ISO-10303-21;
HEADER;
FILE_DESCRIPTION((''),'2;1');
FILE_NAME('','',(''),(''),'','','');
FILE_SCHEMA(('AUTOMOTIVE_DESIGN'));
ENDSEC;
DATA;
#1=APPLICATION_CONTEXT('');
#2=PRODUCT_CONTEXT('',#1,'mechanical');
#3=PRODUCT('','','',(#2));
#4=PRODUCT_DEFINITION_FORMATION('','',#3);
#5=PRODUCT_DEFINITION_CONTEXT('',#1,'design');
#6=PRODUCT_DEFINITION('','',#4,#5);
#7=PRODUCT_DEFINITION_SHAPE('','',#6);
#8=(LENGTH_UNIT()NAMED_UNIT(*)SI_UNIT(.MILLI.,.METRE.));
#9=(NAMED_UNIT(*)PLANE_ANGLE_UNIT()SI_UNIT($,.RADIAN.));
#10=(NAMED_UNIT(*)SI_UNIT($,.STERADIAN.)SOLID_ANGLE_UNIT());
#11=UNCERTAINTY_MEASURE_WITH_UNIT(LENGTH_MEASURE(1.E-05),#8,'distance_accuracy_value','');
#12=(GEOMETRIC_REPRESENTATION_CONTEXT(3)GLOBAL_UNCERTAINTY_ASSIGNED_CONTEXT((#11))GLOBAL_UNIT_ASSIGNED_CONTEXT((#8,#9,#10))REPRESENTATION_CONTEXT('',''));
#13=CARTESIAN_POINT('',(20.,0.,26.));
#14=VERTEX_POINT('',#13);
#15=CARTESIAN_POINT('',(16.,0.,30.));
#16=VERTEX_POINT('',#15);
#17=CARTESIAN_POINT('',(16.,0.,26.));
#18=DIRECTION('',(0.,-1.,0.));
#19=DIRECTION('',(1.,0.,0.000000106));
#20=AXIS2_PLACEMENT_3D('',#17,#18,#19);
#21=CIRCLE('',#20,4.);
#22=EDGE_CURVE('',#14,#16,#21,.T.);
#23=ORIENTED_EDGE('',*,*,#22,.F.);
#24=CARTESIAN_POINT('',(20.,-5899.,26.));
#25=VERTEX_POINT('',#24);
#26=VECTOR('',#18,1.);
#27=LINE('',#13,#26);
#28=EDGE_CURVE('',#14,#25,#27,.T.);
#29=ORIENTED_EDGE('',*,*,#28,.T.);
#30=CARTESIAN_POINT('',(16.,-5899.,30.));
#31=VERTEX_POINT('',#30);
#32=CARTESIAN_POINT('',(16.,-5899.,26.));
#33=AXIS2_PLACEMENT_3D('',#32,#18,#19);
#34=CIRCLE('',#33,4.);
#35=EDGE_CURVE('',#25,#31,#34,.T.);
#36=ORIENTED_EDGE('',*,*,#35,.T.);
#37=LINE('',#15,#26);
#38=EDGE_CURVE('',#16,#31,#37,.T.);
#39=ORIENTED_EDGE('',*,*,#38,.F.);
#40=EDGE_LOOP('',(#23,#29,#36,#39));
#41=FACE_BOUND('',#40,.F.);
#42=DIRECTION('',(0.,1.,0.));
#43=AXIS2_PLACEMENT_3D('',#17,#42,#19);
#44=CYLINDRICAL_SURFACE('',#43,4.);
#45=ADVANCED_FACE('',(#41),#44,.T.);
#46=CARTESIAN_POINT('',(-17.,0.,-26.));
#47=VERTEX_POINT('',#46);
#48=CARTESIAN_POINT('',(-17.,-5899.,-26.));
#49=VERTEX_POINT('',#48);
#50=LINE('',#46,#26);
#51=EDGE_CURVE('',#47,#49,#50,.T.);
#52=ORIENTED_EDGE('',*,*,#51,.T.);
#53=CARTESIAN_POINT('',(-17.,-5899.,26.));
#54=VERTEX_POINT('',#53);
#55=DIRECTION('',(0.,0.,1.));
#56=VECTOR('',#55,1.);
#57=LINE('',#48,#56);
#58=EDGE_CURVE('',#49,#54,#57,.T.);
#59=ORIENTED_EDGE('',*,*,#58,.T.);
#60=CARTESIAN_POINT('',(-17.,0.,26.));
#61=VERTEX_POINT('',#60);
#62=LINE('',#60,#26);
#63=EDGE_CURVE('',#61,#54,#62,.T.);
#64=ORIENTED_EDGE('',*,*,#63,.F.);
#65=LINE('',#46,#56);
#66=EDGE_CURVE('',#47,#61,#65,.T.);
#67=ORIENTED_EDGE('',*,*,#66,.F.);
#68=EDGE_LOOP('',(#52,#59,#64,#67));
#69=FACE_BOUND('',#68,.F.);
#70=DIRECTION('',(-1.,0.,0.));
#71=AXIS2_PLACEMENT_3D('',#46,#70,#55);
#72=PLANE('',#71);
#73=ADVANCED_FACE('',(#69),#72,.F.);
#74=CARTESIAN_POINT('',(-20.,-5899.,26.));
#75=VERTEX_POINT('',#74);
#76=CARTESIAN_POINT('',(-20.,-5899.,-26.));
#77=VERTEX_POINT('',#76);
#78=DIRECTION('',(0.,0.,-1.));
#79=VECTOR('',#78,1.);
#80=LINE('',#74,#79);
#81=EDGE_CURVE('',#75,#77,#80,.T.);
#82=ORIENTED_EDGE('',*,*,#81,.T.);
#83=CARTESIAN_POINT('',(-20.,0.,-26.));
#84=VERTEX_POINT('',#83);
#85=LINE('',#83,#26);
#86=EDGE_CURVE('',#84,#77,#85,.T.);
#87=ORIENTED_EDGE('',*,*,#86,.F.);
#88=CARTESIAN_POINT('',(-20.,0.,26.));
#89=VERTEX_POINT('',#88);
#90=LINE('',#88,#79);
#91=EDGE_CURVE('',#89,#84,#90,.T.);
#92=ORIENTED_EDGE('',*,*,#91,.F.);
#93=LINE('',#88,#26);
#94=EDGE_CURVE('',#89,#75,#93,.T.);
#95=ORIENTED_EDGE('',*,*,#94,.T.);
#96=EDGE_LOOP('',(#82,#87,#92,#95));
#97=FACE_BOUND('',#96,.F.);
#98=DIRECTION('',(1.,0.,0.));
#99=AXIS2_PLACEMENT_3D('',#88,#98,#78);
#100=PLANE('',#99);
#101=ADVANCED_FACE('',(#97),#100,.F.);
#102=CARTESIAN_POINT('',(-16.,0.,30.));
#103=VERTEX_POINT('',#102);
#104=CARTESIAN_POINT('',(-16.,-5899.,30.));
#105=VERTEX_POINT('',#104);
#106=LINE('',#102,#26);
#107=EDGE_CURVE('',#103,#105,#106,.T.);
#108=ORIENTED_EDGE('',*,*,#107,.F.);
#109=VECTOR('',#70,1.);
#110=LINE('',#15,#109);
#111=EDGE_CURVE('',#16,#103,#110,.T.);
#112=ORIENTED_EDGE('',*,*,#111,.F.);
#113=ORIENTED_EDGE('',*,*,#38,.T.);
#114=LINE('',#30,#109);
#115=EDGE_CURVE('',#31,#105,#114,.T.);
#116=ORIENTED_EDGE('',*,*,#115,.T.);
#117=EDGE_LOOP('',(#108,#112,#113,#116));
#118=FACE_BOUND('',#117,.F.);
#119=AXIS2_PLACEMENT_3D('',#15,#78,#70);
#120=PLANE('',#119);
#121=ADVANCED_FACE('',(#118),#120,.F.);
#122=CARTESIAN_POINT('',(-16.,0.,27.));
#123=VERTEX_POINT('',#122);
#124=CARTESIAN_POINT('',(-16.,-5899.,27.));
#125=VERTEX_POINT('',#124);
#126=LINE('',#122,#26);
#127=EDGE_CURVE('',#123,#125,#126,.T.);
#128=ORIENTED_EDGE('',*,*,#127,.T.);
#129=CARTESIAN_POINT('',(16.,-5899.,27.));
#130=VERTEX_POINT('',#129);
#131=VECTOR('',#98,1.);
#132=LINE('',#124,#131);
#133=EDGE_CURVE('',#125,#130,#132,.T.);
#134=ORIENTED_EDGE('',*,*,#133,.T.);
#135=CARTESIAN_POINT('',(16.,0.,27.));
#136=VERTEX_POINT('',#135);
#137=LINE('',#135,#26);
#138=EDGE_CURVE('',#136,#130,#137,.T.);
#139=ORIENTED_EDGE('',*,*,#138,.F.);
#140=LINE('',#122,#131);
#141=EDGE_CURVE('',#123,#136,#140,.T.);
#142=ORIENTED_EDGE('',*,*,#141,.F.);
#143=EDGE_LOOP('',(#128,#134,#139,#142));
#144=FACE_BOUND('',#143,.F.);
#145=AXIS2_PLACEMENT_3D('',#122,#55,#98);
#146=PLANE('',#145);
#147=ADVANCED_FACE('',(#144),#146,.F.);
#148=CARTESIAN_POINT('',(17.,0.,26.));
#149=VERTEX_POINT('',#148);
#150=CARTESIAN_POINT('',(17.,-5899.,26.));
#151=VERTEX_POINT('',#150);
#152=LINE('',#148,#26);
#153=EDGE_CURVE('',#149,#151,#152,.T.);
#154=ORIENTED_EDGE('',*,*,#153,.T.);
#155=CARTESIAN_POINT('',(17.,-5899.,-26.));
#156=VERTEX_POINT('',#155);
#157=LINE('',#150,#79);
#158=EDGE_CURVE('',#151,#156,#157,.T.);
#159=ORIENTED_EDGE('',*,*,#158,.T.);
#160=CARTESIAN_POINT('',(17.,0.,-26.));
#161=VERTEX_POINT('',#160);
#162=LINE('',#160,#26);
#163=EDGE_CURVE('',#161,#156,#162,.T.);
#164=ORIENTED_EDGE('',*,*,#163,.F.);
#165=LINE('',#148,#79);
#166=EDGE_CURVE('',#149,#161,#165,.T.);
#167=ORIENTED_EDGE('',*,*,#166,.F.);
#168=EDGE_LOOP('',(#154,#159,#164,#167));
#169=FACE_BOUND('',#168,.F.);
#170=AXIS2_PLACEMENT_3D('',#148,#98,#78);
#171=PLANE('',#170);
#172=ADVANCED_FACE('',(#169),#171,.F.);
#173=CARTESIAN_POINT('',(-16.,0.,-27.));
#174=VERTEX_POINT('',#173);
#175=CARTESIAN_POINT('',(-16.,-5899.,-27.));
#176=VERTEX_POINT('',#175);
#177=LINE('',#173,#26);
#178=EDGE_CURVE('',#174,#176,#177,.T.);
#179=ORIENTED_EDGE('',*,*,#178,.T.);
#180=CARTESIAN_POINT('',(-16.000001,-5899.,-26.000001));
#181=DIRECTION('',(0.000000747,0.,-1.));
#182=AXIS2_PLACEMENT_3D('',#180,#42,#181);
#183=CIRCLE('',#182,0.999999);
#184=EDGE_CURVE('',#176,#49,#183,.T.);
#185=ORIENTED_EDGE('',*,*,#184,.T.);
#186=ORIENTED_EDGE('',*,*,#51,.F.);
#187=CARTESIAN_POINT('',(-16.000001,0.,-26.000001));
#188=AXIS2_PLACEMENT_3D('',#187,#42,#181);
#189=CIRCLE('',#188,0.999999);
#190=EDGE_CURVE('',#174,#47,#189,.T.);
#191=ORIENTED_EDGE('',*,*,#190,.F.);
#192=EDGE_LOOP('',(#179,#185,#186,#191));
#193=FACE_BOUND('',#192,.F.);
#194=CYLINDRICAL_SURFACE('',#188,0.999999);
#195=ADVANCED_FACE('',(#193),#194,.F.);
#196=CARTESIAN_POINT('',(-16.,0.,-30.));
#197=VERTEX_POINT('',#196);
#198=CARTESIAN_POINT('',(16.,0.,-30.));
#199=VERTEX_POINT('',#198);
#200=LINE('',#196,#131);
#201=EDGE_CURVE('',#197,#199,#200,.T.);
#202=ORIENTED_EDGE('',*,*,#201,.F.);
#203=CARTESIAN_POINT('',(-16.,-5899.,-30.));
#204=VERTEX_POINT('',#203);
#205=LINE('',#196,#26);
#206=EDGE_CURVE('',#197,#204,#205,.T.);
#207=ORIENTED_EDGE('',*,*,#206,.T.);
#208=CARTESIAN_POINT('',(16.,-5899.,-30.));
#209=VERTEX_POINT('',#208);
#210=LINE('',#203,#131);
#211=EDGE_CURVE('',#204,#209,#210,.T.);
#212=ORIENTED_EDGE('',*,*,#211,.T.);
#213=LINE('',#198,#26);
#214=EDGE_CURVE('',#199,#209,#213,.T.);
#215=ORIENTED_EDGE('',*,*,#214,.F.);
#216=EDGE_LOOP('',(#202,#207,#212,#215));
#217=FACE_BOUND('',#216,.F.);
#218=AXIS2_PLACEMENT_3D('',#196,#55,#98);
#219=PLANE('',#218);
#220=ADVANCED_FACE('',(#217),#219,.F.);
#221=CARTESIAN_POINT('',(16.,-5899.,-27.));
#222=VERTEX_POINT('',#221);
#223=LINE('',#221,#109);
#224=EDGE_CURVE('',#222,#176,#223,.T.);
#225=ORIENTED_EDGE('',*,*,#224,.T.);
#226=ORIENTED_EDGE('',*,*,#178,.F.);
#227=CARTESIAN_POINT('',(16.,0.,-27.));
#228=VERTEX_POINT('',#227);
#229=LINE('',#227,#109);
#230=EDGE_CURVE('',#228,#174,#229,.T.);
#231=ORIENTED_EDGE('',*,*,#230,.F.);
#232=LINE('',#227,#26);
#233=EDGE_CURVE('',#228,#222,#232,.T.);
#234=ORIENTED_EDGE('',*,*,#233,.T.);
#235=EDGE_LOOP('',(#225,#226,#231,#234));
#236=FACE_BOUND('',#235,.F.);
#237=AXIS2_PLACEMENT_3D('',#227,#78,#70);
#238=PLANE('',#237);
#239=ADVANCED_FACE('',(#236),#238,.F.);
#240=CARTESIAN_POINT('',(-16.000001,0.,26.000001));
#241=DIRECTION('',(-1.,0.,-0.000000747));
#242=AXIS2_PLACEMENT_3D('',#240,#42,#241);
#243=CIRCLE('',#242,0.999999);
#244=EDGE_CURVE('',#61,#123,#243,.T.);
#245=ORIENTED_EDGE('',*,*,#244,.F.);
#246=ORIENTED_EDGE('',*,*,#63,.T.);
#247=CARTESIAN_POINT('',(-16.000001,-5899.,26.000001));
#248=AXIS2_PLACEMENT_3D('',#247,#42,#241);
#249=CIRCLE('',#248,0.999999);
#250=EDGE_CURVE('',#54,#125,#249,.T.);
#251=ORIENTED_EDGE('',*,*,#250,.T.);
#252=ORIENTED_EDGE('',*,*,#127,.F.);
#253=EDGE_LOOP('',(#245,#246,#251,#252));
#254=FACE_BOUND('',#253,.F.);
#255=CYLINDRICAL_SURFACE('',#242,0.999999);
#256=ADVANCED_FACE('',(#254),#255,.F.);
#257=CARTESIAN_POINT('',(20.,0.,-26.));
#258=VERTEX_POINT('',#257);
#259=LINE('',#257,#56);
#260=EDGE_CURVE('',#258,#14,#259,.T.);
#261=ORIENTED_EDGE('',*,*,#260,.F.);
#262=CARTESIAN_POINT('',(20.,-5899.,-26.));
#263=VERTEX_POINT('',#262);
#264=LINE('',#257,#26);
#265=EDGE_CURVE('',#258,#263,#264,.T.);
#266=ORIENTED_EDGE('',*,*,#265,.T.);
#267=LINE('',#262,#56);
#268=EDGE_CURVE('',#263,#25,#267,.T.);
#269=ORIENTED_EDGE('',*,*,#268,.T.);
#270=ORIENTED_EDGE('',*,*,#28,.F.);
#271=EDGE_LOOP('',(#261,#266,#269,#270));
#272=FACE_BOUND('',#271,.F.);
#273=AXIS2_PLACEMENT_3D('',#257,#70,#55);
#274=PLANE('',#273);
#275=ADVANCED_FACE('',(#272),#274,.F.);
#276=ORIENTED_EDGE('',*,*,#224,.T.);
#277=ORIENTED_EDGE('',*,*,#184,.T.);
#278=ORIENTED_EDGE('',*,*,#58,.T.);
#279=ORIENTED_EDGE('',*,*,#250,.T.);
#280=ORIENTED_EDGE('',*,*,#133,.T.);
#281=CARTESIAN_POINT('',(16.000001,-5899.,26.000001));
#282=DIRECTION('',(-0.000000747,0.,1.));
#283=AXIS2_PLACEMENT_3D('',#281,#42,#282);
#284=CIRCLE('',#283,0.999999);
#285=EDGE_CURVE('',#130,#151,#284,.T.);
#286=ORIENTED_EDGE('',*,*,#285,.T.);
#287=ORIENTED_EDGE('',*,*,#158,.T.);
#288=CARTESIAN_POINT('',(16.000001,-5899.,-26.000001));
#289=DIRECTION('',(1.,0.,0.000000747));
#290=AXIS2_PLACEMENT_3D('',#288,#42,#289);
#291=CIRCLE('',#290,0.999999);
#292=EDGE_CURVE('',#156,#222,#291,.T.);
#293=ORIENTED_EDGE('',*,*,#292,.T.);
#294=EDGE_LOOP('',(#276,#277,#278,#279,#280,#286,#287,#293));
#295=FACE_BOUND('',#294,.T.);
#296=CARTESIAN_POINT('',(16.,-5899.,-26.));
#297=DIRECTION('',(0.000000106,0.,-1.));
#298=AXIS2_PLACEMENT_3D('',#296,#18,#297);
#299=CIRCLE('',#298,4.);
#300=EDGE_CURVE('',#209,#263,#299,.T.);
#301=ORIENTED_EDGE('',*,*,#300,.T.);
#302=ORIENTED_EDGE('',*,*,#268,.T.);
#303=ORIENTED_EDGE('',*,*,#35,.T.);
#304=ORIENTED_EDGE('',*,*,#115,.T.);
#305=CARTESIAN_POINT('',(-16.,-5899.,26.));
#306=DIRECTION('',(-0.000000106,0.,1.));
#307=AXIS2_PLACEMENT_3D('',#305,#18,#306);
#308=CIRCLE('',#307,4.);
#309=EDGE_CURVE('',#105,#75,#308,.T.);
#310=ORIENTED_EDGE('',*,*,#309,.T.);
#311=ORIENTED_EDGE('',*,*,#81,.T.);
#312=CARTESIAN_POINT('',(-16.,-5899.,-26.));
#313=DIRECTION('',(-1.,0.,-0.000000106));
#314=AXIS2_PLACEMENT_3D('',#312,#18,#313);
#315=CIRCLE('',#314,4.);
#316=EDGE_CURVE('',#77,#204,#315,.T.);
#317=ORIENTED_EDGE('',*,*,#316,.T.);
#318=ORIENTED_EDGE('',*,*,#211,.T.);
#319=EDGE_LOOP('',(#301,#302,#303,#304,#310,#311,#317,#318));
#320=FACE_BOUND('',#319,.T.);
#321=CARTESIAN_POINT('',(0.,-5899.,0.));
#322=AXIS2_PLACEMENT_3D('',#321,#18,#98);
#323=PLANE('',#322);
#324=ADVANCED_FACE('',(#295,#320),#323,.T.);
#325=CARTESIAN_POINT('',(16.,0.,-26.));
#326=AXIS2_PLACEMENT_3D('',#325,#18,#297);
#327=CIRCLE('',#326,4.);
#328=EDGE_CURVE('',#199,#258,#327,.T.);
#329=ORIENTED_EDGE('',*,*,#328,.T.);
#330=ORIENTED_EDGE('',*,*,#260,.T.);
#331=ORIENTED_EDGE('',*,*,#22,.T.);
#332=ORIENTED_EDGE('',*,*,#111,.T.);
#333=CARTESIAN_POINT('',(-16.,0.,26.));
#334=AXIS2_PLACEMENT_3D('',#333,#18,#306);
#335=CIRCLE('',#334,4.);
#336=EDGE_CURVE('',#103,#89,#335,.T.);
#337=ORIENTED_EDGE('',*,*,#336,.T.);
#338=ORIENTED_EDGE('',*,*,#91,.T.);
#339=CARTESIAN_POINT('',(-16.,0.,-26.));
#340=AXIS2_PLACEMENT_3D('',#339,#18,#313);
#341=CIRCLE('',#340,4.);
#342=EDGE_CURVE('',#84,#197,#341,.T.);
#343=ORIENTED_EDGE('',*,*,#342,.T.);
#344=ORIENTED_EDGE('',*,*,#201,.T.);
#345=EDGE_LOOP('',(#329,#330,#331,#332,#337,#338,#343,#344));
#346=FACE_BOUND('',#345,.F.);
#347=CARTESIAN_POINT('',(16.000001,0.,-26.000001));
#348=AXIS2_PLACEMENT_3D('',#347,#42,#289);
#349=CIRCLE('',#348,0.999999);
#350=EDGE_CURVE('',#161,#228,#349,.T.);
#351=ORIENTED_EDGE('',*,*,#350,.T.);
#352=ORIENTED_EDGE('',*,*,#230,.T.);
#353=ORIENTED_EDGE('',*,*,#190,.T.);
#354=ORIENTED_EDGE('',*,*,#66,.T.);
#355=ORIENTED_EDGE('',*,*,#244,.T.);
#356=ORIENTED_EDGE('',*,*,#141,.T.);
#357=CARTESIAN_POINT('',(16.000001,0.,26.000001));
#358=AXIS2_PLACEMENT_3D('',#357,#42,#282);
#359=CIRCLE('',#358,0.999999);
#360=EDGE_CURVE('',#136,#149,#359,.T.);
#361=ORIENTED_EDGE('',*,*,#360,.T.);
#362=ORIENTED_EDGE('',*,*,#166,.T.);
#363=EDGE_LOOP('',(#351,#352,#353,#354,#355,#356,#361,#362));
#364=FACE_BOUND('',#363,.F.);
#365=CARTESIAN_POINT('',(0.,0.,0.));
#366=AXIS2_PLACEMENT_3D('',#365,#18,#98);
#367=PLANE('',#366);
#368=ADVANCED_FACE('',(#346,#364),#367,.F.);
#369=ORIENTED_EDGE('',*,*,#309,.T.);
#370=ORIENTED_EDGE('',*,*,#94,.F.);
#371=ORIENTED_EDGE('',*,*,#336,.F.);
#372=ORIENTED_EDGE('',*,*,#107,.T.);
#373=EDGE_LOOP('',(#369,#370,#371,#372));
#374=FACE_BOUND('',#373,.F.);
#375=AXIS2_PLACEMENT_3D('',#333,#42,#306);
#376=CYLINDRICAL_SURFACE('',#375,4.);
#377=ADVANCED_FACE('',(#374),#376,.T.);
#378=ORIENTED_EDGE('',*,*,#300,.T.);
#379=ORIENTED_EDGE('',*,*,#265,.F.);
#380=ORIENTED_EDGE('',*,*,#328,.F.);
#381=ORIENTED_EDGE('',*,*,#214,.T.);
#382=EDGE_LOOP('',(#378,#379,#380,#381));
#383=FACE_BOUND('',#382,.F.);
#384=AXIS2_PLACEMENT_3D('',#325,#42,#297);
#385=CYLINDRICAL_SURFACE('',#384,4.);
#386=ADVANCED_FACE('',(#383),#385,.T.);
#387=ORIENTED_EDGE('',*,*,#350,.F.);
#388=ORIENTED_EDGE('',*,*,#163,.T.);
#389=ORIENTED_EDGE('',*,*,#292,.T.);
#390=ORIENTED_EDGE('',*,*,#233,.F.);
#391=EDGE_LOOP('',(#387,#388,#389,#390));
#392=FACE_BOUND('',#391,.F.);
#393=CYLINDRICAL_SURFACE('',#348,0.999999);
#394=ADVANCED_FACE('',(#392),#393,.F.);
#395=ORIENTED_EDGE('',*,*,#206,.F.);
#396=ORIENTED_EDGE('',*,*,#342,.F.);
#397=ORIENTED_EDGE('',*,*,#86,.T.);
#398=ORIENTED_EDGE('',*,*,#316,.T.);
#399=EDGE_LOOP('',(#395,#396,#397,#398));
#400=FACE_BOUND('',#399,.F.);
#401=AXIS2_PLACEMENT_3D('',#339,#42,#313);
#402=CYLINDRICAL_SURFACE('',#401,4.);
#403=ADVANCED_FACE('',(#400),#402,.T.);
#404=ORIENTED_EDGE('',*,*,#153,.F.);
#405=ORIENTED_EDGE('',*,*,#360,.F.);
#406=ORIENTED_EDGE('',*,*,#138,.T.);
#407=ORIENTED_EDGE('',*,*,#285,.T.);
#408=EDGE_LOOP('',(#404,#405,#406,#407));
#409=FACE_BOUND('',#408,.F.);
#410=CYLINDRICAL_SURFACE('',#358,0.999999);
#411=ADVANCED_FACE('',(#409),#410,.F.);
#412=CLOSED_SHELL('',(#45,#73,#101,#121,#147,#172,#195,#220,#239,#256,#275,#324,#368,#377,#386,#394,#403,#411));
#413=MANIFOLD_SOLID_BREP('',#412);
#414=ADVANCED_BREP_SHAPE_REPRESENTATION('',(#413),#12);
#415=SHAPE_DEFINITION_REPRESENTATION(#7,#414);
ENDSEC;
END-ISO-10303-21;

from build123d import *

# Parameters (mm, degrees)
F1_DEPTH = 5899


with BuildPart() as f1:
    # F0 (on Front) → F1 (new body)
    with BuildSketch(Plane.XZ):
        with BuildLine():
            ThreePointArc((20, 26), (18.828427, 28.828427), (16, 30))
            Line((16, 30), (-16, 30))
            ThreePointArc((-16, 30), (-18.828427, 28.828427), (-20, 26))
            Line((-20, 26), (-20, -26))
            ThreePointArc((-20, -26), (-18.828427, -28.828427), (-16, -30))
            Line((-16, -30), (16, -30))
            ThreePointArc((16, -30), (18.828427, -28.828427), (20, -26))
            Line((20, -26), (20, 26))
        make_face()
        with BuildLine():
            Line((-16, 27), (16, 27))
            ThreePointArc((16, 27), (16.707107, 26.707107), (17, 26))
            Line((17, 26), (17, -26))
            ThreePointArc((17, -26), (16.707107, -26.707107), (16, -27))
            Line((16, -27), (-16, -27))
            ThreePointArc((-16, -27), (-16.707107, -26.707107), (-17, -26))
            Line((-17, -26), (-17, 26))
            ThreePointArc((-17, 26), (-16.707107, 26.707107), (-16, 27))
        make_face(mode=Mode.SUBTRACT)
    extrude(amount=F1_DEPTH)


solid = f1.part
